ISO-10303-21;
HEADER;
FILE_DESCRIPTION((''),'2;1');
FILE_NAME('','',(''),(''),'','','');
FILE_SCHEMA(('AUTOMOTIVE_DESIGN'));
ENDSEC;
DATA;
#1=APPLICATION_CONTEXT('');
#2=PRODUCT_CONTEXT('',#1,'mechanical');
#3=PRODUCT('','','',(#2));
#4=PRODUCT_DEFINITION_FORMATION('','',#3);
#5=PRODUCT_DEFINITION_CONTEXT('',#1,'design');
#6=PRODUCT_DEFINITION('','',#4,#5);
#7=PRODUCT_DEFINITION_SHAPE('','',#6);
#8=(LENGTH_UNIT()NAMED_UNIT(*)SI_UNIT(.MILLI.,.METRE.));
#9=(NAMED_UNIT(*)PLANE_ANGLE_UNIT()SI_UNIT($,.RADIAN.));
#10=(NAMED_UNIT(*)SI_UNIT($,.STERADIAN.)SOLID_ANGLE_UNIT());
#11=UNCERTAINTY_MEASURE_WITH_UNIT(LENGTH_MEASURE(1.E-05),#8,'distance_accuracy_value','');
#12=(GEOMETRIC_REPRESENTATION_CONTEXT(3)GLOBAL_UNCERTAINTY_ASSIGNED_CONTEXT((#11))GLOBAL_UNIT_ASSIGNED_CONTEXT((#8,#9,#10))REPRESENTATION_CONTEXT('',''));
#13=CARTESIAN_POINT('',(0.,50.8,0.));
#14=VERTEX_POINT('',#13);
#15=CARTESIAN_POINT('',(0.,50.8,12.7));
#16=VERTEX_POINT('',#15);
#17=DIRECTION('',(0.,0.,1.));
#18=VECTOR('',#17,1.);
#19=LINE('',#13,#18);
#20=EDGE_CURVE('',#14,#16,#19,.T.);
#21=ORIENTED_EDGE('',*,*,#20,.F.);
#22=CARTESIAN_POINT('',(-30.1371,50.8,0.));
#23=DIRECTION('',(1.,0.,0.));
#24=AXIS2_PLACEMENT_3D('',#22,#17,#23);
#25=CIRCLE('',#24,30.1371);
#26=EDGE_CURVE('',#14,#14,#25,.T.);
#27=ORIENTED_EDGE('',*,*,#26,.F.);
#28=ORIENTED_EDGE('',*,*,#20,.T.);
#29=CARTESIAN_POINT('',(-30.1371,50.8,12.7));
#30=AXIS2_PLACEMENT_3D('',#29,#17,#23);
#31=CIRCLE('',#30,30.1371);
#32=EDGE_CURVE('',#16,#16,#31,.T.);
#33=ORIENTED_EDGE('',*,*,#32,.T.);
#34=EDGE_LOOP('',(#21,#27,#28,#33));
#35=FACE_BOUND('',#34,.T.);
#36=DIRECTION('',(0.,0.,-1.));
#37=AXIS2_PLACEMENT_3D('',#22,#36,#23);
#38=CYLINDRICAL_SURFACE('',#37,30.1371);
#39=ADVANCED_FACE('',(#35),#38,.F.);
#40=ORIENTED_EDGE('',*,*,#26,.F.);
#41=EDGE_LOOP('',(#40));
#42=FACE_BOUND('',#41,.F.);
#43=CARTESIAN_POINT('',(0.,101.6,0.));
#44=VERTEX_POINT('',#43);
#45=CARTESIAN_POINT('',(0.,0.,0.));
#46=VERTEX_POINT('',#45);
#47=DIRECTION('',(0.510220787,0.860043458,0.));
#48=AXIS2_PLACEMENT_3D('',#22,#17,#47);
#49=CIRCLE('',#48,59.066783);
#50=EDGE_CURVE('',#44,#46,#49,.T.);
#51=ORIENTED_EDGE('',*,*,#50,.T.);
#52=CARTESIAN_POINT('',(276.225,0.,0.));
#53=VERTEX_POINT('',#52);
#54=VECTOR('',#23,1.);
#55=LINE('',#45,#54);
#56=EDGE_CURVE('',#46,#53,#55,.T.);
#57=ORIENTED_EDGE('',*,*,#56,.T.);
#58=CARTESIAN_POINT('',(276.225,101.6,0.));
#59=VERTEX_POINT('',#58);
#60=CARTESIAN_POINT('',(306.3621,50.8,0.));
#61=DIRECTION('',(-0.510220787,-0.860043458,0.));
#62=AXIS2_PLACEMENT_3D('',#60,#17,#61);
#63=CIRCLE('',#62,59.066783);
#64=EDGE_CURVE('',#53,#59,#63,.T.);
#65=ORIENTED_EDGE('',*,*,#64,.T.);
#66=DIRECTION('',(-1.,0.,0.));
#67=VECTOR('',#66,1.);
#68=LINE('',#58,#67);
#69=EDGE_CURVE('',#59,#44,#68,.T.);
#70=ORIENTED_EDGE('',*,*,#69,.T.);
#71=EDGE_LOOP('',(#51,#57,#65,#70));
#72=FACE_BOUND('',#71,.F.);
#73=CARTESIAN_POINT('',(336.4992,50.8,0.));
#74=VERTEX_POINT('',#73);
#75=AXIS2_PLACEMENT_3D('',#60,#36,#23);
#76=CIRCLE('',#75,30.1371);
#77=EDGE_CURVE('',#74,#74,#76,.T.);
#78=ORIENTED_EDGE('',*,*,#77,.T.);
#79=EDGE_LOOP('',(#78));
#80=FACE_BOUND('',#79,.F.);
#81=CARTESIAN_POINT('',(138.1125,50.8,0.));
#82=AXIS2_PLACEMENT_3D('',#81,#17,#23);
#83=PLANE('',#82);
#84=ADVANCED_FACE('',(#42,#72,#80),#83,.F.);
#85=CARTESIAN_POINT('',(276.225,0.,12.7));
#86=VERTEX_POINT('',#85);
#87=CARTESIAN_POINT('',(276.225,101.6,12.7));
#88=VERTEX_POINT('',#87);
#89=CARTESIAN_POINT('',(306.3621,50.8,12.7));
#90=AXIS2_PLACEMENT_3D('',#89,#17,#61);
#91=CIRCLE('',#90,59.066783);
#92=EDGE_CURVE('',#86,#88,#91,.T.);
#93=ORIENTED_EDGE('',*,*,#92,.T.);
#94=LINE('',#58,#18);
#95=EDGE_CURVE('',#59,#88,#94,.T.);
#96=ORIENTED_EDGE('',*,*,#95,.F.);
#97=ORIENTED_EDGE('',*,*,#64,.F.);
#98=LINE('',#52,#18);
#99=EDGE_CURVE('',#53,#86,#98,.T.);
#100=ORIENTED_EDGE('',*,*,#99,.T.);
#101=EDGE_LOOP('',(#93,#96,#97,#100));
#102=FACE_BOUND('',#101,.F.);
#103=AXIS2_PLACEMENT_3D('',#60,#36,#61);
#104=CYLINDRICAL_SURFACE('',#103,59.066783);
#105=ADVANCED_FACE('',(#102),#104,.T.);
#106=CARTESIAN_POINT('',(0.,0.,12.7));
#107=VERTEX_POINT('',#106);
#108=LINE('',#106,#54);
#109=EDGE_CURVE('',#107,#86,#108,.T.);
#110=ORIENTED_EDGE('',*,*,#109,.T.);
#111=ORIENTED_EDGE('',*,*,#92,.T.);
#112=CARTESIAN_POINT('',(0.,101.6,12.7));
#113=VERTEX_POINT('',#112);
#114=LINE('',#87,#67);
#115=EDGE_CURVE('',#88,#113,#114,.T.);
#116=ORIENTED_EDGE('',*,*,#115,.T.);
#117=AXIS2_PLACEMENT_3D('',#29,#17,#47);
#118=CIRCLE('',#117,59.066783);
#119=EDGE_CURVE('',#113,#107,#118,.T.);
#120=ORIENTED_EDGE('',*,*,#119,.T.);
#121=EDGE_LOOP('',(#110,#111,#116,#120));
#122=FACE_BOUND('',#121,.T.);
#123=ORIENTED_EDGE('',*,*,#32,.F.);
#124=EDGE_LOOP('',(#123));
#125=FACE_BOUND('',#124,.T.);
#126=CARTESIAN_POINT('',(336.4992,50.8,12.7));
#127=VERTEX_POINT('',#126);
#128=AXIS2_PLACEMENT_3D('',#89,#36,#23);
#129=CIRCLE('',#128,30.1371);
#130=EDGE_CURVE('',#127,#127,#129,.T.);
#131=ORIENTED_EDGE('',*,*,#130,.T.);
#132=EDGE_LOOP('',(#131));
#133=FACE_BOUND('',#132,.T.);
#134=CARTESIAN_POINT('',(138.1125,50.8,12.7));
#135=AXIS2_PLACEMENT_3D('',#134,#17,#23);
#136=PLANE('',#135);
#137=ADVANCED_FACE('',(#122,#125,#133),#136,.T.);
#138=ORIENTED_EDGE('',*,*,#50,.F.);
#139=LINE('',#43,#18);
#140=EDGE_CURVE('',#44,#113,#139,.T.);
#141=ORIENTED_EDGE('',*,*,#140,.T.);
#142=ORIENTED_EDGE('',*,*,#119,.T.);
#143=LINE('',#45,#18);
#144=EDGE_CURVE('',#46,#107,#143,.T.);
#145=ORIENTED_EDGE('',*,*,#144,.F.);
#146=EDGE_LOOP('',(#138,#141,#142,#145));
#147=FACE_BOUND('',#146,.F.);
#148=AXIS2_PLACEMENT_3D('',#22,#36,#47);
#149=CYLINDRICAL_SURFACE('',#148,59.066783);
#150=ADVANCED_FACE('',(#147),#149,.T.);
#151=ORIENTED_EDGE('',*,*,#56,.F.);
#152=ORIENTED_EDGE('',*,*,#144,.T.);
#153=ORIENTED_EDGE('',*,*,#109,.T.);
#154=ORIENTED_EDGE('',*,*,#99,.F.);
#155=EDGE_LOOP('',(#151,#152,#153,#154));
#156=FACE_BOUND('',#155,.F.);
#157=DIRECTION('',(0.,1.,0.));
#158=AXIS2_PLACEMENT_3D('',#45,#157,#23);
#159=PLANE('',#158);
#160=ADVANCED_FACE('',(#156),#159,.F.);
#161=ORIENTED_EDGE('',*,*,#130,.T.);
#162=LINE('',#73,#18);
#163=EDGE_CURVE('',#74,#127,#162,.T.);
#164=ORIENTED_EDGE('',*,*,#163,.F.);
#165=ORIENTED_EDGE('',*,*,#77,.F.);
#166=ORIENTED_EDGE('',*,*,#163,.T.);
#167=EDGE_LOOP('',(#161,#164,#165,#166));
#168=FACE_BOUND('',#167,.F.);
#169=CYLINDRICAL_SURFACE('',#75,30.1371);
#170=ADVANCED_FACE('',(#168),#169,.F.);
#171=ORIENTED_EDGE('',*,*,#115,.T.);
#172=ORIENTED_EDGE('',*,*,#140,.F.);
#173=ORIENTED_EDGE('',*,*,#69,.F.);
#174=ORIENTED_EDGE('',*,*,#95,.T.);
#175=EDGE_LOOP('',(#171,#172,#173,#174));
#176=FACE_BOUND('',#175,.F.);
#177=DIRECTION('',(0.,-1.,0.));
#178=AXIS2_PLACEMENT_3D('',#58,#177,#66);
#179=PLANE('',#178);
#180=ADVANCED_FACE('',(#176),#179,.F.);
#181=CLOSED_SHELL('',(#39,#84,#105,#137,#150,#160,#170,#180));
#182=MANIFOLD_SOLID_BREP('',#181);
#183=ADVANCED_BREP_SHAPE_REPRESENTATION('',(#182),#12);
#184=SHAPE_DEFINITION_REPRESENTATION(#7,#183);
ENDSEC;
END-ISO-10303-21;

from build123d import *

# Parameters (mm, degrees)
F0_R     = 30.1371
F1_DEPTH = 12.7


with BuildPart() as f1:
    # F0 (on Top) → F1 (new body)
    with BuildSketch(Plane.XY):
        with BuildLine():
            ThreePointArc((0, 101.6), (-89.203883, 50.8), (0, 0))
            Line((0, 0), (276.225, 0))
            ThreePointArc((276.225, 0), (365.428883, 50.8), (276.225, 101.6))
            Line((276.225, 101.6), (0, 101.6))
        make_face()
        with Locations((-30.1371, 50.8)):
            Circle(F0_R, mode=Mode.SUBTRACT)
        with BuildLine():
            ThreePointArc((276.225, 50.8), (306.3621, 80.9371), (336.4992, 50.8))
            ThreePointArc((336.4992, 50.8), (306.3621, 20.6629), (276.225, 50.8))
        make_face(mode=Mode.SUBTRACT)
    extrude(amount=F1_DEPTH)


solid = f1.part
